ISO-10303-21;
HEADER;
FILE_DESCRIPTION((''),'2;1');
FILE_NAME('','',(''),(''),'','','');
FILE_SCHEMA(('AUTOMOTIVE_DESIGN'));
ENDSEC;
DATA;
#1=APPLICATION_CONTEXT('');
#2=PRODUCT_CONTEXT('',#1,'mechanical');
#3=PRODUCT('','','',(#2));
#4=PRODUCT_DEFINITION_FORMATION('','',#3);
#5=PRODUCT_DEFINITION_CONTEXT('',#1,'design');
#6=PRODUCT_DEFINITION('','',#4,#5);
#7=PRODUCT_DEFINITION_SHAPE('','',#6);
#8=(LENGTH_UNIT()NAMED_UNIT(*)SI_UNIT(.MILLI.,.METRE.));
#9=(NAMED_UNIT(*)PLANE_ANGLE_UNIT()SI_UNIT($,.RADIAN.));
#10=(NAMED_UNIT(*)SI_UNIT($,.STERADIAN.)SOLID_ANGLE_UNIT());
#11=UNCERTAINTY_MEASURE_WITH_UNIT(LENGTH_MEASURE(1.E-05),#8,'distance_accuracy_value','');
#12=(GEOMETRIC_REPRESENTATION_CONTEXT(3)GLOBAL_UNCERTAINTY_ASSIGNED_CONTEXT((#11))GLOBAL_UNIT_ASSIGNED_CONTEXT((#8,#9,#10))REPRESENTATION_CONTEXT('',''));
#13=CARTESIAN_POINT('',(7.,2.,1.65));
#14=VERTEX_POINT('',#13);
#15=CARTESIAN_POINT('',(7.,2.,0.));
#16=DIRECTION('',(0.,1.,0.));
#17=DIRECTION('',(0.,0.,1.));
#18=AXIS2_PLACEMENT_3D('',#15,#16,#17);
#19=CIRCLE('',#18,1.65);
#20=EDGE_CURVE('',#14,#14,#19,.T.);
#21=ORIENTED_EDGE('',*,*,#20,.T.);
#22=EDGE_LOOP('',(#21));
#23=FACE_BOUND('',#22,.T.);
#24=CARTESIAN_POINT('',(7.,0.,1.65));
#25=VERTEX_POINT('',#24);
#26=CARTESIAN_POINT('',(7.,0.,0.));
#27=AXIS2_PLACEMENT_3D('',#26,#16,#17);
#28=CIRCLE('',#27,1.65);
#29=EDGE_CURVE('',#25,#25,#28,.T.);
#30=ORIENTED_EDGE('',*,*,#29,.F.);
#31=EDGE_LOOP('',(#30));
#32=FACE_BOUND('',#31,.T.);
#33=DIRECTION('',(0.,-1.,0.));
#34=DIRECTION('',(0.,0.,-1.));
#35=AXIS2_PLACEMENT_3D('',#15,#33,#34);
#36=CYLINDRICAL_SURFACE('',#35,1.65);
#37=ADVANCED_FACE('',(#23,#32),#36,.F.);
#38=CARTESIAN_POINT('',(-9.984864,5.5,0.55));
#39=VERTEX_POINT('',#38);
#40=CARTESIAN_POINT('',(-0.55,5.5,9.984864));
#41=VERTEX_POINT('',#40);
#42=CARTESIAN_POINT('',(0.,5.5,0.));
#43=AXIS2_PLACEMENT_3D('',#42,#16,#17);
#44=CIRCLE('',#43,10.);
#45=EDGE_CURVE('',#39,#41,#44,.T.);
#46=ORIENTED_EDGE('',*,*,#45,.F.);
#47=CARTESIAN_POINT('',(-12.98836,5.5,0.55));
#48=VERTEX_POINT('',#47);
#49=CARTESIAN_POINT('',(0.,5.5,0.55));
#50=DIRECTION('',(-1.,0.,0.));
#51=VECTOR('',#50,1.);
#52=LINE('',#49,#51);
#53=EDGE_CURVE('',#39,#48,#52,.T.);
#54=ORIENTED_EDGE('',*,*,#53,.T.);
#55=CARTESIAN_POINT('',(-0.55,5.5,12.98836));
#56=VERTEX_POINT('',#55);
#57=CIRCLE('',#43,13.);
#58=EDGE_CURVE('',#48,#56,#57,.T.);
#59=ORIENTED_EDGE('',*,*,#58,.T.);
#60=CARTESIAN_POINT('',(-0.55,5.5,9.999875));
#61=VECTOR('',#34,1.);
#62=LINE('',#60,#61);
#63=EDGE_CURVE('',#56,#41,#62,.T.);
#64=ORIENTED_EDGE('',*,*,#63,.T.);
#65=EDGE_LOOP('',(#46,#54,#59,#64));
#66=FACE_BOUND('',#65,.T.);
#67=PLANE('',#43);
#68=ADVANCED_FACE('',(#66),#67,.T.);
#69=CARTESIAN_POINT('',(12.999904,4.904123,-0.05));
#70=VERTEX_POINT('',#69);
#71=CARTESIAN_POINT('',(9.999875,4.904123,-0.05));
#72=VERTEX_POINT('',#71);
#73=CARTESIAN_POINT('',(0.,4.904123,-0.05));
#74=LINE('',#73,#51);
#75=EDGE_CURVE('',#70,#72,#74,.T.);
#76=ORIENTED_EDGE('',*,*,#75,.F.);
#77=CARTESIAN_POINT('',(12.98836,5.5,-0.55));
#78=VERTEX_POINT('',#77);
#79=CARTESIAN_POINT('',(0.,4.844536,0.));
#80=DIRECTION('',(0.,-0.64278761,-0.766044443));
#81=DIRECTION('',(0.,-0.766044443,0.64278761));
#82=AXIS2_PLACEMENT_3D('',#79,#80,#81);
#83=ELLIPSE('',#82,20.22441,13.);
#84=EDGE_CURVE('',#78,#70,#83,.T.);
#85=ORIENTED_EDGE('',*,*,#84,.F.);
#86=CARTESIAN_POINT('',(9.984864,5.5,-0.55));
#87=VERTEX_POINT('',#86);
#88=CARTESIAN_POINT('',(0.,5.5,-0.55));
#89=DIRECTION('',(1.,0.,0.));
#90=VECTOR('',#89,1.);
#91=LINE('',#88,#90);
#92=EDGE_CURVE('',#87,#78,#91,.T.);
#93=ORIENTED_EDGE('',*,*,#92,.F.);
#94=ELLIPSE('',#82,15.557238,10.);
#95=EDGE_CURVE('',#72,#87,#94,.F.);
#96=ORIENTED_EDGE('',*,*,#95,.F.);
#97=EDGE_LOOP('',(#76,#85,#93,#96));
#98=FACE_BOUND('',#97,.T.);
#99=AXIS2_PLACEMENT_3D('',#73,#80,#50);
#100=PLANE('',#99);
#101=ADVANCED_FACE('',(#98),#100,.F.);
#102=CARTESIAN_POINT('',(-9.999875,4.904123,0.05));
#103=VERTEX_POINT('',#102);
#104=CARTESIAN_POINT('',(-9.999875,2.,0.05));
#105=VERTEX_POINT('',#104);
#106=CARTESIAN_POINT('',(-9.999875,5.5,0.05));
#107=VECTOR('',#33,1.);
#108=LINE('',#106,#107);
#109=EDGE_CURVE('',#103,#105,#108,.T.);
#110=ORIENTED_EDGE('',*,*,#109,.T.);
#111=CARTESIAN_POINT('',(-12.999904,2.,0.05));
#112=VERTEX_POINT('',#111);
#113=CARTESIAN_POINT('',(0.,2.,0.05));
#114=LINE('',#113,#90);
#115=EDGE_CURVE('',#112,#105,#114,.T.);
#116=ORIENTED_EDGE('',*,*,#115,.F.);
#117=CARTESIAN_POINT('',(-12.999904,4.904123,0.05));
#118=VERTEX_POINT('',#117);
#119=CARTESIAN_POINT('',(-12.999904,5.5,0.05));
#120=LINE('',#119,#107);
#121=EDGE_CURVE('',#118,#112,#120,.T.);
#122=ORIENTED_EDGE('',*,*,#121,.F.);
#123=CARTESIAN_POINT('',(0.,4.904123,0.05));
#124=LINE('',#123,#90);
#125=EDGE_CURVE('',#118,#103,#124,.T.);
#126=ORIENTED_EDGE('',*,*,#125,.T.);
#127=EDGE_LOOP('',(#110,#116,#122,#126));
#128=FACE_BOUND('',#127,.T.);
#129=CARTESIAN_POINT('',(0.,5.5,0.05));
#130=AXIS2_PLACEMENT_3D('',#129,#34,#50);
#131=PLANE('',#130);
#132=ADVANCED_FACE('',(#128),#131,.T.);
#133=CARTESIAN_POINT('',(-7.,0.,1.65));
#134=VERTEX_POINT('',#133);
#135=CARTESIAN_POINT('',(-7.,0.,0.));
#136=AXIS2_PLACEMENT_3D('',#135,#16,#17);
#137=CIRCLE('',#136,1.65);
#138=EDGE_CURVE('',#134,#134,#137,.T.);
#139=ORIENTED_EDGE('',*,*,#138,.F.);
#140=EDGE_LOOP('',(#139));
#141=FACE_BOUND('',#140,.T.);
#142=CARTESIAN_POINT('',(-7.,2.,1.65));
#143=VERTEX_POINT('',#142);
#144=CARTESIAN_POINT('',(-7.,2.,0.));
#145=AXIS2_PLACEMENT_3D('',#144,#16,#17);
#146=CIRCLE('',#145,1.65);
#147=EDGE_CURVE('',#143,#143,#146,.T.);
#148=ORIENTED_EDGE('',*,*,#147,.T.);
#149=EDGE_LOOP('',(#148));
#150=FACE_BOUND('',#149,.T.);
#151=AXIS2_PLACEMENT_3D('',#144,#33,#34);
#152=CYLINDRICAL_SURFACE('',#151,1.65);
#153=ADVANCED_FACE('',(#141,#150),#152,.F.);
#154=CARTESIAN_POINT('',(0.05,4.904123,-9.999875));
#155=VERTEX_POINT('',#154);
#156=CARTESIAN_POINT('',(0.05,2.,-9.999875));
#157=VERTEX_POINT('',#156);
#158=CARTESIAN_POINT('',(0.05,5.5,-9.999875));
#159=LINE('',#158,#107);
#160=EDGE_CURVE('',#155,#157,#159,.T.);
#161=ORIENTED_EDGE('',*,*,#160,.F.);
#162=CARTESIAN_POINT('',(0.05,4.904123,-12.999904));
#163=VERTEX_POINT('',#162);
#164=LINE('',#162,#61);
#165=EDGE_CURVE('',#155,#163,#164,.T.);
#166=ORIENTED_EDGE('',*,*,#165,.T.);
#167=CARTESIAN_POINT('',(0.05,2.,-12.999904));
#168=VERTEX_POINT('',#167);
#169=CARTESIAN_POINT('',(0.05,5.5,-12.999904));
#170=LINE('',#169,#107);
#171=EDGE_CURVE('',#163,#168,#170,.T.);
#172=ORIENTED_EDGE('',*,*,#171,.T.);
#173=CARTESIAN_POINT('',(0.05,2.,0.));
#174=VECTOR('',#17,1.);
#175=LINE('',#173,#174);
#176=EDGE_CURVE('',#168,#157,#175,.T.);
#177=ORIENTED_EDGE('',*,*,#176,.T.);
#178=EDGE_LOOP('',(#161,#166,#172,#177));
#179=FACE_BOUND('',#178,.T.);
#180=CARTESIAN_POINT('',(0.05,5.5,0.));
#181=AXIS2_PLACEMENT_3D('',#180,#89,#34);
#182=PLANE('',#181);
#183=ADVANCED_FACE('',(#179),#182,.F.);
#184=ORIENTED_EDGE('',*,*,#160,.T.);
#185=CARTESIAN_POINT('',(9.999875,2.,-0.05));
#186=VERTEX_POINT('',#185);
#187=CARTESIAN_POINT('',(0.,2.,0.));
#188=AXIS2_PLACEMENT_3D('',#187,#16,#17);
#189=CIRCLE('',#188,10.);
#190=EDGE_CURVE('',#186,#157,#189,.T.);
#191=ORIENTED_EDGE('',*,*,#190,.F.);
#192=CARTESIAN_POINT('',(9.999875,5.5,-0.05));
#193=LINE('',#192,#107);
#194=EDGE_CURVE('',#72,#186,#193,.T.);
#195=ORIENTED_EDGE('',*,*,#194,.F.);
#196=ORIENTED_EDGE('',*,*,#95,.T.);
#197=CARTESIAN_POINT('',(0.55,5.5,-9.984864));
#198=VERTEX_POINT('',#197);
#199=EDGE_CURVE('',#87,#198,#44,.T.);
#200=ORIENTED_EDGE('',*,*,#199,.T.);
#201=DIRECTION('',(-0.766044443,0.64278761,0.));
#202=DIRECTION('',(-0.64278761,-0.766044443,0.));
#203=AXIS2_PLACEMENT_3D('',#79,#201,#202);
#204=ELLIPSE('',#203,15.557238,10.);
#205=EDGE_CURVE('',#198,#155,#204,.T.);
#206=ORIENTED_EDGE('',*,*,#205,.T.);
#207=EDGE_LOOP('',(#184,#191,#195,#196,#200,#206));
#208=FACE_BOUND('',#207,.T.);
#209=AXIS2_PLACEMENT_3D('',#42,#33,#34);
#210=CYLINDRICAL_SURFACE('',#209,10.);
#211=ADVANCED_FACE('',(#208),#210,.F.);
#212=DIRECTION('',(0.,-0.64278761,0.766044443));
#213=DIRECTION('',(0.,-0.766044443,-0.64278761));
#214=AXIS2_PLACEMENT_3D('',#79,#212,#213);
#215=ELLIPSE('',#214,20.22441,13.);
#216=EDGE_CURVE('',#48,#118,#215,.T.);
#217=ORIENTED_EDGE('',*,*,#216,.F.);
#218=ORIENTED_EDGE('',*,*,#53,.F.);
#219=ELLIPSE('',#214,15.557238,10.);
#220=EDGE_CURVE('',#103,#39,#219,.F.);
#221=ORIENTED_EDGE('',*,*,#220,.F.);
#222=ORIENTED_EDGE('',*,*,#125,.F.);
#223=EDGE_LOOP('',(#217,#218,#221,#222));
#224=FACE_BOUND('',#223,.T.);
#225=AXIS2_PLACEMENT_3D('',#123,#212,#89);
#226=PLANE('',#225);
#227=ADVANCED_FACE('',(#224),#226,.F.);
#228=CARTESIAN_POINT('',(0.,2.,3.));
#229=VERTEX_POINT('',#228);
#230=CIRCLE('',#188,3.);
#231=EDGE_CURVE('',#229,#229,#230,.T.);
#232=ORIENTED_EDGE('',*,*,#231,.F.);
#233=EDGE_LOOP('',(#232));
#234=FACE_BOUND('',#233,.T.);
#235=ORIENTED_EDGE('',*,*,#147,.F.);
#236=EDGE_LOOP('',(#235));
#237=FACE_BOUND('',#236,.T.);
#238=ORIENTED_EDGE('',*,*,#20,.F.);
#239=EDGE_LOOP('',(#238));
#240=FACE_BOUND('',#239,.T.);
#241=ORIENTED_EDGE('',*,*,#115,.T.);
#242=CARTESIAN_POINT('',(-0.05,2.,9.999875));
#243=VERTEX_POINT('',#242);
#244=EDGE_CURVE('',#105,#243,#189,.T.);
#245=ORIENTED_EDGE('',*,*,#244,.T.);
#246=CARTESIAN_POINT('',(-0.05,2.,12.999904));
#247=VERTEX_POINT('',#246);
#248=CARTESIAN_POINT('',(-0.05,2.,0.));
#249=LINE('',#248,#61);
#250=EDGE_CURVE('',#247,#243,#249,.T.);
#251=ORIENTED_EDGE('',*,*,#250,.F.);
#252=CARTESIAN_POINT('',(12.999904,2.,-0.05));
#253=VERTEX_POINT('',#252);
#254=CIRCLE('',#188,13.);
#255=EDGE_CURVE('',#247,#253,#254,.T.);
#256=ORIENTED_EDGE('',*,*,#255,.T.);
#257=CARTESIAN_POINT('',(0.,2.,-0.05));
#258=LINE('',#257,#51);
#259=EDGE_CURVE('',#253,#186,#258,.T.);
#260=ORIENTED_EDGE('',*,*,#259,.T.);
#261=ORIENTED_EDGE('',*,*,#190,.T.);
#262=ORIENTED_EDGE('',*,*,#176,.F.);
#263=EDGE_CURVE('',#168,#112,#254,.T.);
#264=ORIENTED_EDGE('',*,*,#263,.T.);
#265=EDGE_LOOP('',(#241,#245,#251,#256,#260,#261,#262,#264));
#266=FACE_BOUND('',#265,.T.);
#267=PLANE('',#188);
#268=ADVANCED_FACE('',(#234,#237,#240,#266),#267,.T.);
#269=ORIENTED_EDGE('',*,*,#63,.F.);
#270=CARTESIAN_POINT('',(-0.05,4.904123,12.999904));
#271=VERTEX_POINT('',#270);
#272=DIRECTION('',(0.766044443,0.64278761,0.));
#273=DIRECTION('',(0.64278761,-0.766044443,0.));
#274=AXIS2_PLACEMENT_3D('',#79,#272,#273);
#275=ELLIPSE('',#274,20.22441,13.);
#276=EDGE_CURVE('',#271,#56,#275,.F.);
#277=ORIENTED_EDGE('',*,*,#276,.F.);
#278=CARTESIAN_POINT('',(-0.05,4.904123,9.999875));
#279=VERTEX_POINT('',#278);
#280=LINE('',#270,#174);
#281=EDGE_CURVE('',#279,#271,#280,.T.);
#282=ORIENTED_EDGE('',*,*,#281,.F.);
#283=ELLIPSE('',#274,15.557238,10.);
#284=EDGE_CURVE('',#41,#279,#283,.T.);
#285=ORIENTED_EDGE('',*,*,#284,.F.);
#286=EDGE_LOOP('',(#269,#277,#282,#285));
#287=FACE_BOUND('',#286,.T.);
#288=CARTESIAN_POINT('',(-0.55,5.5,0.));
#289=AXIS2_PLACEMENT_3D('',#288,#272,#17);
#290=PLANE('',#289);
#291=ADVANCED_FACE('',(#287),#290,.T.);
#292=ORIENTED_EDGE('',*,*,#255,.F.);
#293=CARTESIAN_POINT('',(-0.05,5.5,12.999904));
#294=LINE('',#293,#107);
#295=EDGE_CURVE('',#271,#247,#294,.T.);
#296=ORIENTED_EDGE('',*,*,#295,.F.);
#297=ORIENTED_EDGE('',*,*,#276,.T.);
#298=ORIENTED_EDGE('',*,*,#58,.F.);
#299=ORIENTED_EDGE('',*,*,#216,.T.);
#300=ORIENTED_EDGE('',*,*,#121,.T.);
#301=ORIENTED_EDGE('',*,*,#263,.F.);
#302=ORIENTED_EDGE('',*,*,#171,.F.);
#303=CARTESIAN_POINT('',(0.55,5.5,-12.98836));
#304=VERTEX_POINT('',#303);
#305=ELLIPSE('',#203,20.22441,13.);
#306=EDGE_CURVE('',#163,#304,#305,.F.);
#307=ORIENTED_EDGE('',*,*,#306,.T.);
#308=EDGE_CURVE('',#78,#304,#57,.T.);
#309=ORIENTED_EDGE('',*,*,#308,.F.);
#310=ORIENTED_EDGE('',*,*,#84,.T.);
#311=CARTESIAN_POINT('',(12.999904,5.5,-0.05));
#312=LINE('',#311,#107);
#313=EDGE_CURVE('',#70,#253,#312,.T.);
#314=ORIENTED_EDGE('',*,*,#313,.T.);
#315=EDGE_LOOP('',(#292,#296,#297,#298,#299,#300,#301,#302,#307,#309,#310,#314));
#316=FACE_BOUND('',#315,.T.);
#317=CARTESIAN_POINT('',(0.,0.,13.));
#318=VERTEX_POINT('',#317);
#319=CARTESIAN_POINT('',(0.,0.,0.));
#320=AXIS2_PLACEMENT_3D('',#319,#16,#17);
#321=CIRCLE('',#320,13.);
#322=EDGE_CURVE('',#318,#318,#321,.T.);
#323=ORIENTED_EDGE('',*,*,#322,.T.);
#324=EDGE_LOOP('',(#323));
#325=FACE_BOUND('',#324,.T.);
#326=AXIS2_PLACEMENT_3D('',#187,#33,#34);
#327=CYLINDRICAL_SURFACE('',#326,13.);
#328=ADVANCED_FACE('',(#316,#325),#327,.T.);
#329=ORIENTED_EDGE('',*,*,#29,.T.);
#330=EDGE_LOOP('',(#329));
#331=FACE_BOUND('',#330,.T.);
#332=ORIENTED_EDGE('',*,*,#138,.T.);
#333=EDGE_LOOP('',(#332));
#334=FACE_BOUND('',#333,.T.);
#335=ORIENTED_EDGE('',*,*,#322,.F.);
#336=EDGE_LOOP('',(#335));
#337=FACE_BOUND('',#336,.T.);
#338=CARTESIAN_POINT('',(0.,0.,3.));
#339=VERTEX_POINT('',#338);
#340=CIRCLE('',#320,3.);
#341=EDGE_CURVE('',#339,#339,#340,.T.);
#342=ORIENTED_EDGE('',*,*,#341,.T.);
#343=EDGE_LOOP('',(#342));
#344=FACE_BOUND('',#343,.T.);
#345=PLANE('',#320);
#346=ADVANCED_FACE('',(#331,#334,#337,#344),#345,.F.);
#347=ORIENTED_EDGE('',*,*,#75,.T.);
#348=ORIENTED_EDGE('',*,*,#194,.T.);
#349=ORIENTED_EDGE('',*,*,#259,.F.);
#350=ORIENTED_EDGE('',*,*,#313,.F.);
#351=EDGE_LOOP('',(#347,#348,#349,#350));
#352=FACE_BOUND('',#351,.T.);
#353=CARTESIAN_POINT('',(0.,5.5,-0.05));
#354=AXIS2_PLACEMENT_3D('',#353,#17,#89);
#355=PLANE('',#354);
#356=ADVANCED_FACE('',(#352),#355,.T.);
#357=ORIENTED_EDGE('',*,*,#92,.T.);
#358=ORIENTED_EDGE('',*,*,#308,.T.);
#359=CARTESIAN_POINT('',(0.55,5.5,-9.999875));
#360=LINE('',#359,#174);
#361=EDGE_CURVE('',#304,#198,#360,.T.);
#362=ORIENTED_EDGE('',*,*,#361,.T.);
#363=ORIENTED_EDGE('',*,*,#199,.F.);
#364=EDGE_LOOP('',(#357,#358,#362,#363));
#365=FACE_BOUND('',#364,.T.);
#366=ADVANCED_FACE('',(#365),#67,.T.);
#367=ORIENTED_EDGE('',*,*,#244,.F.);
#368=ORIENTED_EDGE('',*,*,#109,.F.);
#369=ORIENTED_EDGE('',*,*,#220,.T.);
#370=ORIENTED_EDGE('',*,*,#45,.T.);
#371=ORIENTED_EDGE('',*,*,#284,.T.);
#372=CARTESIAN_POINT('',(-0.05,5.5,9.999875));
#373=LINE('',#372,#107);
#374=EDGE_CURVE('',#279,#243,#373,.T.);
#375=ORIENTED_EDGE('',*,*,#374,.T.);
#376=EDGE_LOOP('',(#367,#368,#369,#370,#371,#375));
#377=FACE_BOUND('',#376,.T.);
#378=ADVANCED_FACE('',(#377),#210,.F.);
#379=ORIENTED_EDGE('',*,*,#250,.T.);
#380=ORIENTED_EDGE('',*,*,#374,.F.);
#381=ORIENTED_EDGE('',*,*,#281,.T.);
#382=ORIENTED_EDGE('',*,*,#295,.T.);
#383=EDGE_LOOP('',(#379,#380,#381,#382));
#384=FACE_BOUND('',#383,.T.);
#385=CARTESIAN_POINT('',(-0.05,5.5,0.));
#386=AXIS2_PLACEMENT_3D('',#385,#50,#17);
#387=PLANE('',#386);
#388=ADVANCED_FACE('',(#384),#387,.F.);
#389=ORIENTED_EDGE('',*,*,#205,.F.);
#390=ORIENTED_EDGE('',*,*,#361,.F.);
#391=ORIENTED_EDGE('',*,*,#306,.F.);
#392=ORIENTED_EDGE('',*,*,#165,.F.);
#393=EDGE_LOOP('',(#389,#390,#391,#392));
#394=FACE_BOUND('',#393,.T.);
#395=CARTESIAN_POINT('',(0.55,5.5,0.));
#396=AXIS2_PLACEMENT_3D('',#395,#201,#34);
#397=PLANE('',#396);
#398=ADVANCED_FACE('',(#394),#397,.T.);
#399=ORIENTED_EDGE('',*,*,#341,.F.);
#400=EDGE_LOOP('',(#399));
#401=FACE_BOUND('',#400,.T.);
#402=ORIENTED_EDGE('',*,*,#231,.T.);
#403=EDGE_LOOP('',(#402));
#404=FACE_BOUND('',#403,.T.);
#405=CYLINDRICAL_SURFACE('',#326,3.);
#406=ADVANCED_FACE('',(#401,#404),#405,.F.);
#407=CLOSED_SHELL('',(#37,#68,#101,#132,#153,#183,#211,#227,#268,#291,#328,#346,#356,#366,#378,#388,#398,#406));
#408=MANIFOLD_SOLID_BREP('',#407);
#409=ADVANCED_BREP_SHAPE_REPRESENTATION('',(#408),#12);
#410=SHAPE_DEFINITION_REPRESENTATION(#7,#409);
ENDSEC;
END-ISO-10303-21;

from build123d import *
from OCP.BRepFilletAPI import BRepFilletAPI_MakeChamfer

# Parameters (mm, degrees)
SKETCH_1_R      = 13
SKETCH_1_R_2    = 1.65
SKETCH_1_R_3    = 3
EXTRUDE_1_DEPTH = 2
EXTRUDE_2_DEPTH = 3.5
CHAMFER_1_SIZE  = 0.5
CHAMFER_1_SIZE2 = 0.595876796


with BuildPart() as part:
    # 草图1 → 凸台-拉伸1 (new body)
    with BuildSketch(Plane(origin=(0, 0, 0), x_dir=(1, 0, 0), z_dir=(0, 1, 0))):
        with Locations(Location((0, 0, 0), (0, 0, 270))):
            Circle(SKETCH_1_R)
        with Locations(Location((7, 0, 0), (0, 0, 270))):
            Circle(SKETCH_1_R_2, mode=Mode.SUBTRACT)
        with Locations(Location((-7, 0, 0), (0, 0, 270))):
            Circle(SKETCH_1_R_2, mode=Mode.SUBTRACT)
        with Locations(Location((0, 0, 0), (0, 0, 270))):
            Circle(SKETCH_1_R_3, mode=Mode.SUBTRACT)
    extrude(amount=EXTRUDE_1_DEPTH)

    # 草图2 → 凸台-拉伸2 (add)
    with BuildSketch(Plane(origin=(0, 2, 0), x_dir=(1, 0, 0), z_dir=(0, 1, 0))):
        with BuildLine():
            ThreePointArc((12.999903846, 0.05), (9.192388155, 9.192388155), (0.05, 12.999903846))
            Line((0.05, 12.999903846), (0.05, 9.999874999))
            ThreePointArc((0.05, 9.999874999), (7.071067812, 7.071067812), (9.999874999, 0.05))
            Line((9.999874999, 0.05), (12.999903846, 0.05))
        make_face()
        with BuildLine():
            Line((-9.999874999, -0.05), (-12.999903846, -0.05))
            ThreePointArc((-12.999903846, -0.05), (-9.192388155, -9.192388155), (-0.05, -12.999903846))
            Line((-0.05, -12.999903846), (-0.05, -9.999874999))
            ThreePointArc((-0.05, -9.999874999), (-7.071067812, -7.071067812), (-9.999874999, -0.05))
        make_face()
    extrude(amount=EXTRUDE_2_DEPTH)

    # 倒角1: one chamfer whose edges measure the first distance from different faces: ONE call of the kernel's chamfer builder (chamfer() names one face for all edges)
    chamfer_1_edges_1 = [part.edges().sort_by_distance(p)[0] for p in [
        (11.499889423, 5.5, -0.05),
        (0.05, 5.5, -11.499889423),
    ]]
    chamfer_1_side_1 = [part.faces().sort_by_distance(p)[0] for p in [
        (7.371553631, 5.5, -7.371553631),
    ]]
    chamfer_1_edges_2 = [part.edges().sort_by_distance(p)[0] for p in [
        (-11.499889423, 5.5, 0.05),
        (-0.05, 5.5, 11.499889423),
    ]]
    chamfer_1_side_2 = [part.faces().sort_by_distance(p)[0] for p in [
        (-7.371553631, 5.5, 7.371553631),
    ]]
    chamfer_1 = BRepFilletAPI_MakeChamfer(part.part.solid().wrapped)
    for e in chamfer_1_edges_1:
        chamfer_1.Add(CHAMFER_1_SIZE, CHAMFER_1_SIZE2, e.wrapped, chamfer_1_side_1[0].wrapped)  # the first distance lies on this face
    for e in chamfer_1_edges_2:
        chamfer_1.Add(CHAMFER_1_SIZE, CHAMFER_1_SIZE2, e.wrapped, chamfer_1_side_2[0].wrapped)  # the first distance lies on this face
    add(Compound.cast(chamfer_1.Shape()), mode=Mode.REPLACE)


solid = part.part
